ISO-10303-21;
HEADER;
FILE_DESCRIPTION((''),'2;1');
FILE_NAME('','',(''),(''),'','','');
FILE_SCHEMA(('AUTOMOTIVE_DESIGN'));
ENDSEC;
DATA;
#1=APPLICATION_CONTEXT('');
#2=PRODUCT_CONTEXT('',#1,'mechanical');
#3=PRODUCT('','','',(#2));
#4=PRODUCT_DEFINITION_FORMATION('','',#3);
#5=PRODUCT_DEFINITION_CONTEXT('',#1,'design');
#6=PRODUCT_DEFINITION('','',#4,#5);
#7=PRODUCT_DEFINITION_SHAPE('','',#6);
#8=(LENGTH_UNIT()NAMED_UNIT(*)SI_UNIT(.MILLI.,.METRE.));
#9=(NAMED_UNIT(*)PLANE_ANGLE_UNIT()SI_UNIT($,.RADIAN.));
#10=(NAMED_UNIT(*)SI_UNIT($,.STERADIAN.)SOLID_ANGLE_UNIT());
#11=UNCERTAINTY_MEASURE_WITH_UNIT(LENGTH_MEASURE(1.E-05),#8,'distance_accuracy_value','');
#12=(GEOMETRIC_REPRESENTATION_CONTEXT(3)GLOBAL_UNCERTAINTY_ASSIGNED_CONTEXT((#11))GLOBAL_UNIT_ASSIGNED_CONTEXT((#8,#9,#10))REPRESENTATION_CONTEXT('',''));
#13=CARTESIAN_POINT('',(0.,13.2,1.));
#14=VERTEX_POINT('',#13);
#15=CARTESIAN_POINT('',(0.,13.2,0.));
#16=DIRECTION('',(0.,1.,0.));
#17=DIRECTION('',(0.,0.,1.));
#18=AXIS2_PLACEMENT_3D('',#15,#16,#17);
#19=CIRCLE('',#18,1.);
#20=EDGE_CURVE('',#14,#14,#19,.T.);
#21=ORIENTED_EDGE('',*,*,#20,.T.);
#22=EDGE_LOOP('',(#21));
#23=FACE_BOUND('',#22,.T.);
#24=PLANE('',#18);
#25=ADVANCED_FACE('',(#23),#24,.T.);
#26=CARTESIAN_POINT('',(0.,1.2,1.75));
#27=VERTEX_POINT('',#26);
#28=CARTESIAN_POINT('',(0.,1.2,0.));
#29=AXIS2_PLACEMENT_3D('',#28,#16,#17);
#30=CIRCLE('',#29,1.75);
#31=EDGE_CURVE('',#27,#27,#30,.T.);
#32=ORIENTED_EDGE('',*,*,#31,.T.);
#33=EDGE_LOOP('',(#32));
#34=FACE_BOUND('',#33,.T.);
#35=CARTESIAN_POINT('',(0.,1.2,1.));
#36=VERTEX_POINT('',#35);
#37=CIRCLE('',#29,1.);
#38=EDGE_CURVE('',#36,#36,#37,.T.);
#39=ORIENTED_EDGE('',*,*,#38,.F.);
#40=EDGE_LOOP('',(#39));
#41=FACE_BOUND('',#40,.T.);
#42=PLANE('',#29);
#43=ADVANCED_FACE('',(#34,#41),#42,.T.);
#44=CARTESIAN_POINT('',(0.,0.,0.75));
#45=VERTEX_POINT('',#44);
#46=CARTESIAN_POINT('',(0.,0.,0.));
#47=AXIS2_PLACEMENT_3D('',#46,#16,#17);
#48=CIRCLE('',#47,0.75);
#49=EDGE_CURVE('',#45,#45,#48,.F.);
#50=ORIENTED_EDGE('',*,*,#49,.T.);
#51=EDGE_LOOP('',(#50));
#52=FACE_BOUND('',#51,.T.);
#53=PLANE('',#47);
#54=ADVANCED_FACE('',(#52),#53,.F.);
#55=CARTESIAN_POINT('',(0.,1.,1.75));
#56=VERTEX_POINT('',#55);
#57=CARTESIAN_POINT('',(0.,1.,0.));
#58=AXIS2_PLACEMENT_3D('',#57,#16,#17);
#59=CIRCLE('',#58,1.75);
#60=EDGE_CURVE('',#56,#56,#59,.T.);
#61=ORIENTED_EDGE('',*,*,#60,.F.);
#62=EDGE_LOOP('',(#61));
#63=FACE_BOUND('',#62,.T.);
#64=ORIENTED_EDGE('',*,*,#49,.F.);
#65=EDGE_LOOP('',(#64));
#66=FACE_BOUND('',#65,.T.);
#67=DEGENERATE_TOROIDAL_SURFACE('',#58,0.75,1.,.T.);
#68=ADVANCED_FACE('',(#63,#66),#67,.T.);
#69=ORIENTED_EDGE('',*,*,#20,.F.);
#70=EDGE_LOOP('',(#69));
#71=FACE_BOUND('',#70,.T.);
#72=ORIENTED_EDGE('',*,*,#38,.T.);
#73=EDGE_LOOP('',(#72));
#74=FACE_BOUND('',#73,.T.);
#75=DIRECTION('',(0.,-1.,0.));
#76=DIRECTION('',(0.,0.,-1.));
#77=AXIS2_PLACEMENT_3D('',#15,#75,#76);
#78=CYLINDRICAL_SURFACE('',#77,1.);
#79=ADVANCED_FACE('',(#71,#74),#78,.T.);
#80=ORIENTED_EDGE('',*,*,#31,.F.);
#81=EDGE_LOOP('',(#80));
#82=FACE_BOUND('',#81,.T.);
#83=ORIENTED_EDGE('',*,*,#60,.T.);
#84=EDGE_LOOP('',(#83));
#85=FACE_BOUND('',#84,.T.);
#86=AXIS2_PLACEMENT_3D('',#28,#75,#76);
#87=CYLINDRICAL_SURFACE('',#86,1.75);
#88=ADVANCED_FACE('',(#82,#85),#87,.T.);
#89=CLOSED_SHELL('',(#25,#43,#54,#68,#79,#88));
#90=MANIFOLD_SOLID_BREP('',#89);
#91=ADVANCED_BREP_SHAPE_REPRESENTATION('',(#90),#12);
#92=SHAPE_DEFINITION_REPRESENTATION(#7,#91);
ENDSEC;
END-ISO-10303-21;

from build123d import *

# Parameters (mm, degrees)
SKETCH_1_R      = 1.75
EXTRUDE_1_DEPTH = 1.2
SKETCH_2_R      = 1
EXTRUDE_2_DEPTH = 12
FILLET_1_R      = 1


with BuildPart() as part:
    # 스케치1 → 보스-돌출1 (new body)
    with BuildSketch(Plane(origin=(0, 0, 0), x_dir=(1, 0, 0), z_dir=(0, 1, 0))):
        with Locations(Location((0, 0, 0), (0, 0, 270))):
            Circle(SKETCH_1_R)
    extrude(amount=EXTRUDE_1_DEPTH)

    # 스케치2 → 보스-돌출2 (add)
    with BuildSketch(Plane(origin=(0, 1.2, 0), x_dir=(1, 0, 0), z_dir=(0, 1, 0))):
        with Locations(Location((0, 0, 0), (0, 0, 270))):
            Circle(SKETCH_2_R)
    extrude(amount=EXTRUDE_2_DEPTH)

    # 필렛1
    fillet_1_edges = [part.edges().sort_by_distance(p)[0] for p in [
        (0, 0, -1.75),
    ]]
    fillet(fillet_1_edges, radius=FILLET_1_R)


solid = part.part
